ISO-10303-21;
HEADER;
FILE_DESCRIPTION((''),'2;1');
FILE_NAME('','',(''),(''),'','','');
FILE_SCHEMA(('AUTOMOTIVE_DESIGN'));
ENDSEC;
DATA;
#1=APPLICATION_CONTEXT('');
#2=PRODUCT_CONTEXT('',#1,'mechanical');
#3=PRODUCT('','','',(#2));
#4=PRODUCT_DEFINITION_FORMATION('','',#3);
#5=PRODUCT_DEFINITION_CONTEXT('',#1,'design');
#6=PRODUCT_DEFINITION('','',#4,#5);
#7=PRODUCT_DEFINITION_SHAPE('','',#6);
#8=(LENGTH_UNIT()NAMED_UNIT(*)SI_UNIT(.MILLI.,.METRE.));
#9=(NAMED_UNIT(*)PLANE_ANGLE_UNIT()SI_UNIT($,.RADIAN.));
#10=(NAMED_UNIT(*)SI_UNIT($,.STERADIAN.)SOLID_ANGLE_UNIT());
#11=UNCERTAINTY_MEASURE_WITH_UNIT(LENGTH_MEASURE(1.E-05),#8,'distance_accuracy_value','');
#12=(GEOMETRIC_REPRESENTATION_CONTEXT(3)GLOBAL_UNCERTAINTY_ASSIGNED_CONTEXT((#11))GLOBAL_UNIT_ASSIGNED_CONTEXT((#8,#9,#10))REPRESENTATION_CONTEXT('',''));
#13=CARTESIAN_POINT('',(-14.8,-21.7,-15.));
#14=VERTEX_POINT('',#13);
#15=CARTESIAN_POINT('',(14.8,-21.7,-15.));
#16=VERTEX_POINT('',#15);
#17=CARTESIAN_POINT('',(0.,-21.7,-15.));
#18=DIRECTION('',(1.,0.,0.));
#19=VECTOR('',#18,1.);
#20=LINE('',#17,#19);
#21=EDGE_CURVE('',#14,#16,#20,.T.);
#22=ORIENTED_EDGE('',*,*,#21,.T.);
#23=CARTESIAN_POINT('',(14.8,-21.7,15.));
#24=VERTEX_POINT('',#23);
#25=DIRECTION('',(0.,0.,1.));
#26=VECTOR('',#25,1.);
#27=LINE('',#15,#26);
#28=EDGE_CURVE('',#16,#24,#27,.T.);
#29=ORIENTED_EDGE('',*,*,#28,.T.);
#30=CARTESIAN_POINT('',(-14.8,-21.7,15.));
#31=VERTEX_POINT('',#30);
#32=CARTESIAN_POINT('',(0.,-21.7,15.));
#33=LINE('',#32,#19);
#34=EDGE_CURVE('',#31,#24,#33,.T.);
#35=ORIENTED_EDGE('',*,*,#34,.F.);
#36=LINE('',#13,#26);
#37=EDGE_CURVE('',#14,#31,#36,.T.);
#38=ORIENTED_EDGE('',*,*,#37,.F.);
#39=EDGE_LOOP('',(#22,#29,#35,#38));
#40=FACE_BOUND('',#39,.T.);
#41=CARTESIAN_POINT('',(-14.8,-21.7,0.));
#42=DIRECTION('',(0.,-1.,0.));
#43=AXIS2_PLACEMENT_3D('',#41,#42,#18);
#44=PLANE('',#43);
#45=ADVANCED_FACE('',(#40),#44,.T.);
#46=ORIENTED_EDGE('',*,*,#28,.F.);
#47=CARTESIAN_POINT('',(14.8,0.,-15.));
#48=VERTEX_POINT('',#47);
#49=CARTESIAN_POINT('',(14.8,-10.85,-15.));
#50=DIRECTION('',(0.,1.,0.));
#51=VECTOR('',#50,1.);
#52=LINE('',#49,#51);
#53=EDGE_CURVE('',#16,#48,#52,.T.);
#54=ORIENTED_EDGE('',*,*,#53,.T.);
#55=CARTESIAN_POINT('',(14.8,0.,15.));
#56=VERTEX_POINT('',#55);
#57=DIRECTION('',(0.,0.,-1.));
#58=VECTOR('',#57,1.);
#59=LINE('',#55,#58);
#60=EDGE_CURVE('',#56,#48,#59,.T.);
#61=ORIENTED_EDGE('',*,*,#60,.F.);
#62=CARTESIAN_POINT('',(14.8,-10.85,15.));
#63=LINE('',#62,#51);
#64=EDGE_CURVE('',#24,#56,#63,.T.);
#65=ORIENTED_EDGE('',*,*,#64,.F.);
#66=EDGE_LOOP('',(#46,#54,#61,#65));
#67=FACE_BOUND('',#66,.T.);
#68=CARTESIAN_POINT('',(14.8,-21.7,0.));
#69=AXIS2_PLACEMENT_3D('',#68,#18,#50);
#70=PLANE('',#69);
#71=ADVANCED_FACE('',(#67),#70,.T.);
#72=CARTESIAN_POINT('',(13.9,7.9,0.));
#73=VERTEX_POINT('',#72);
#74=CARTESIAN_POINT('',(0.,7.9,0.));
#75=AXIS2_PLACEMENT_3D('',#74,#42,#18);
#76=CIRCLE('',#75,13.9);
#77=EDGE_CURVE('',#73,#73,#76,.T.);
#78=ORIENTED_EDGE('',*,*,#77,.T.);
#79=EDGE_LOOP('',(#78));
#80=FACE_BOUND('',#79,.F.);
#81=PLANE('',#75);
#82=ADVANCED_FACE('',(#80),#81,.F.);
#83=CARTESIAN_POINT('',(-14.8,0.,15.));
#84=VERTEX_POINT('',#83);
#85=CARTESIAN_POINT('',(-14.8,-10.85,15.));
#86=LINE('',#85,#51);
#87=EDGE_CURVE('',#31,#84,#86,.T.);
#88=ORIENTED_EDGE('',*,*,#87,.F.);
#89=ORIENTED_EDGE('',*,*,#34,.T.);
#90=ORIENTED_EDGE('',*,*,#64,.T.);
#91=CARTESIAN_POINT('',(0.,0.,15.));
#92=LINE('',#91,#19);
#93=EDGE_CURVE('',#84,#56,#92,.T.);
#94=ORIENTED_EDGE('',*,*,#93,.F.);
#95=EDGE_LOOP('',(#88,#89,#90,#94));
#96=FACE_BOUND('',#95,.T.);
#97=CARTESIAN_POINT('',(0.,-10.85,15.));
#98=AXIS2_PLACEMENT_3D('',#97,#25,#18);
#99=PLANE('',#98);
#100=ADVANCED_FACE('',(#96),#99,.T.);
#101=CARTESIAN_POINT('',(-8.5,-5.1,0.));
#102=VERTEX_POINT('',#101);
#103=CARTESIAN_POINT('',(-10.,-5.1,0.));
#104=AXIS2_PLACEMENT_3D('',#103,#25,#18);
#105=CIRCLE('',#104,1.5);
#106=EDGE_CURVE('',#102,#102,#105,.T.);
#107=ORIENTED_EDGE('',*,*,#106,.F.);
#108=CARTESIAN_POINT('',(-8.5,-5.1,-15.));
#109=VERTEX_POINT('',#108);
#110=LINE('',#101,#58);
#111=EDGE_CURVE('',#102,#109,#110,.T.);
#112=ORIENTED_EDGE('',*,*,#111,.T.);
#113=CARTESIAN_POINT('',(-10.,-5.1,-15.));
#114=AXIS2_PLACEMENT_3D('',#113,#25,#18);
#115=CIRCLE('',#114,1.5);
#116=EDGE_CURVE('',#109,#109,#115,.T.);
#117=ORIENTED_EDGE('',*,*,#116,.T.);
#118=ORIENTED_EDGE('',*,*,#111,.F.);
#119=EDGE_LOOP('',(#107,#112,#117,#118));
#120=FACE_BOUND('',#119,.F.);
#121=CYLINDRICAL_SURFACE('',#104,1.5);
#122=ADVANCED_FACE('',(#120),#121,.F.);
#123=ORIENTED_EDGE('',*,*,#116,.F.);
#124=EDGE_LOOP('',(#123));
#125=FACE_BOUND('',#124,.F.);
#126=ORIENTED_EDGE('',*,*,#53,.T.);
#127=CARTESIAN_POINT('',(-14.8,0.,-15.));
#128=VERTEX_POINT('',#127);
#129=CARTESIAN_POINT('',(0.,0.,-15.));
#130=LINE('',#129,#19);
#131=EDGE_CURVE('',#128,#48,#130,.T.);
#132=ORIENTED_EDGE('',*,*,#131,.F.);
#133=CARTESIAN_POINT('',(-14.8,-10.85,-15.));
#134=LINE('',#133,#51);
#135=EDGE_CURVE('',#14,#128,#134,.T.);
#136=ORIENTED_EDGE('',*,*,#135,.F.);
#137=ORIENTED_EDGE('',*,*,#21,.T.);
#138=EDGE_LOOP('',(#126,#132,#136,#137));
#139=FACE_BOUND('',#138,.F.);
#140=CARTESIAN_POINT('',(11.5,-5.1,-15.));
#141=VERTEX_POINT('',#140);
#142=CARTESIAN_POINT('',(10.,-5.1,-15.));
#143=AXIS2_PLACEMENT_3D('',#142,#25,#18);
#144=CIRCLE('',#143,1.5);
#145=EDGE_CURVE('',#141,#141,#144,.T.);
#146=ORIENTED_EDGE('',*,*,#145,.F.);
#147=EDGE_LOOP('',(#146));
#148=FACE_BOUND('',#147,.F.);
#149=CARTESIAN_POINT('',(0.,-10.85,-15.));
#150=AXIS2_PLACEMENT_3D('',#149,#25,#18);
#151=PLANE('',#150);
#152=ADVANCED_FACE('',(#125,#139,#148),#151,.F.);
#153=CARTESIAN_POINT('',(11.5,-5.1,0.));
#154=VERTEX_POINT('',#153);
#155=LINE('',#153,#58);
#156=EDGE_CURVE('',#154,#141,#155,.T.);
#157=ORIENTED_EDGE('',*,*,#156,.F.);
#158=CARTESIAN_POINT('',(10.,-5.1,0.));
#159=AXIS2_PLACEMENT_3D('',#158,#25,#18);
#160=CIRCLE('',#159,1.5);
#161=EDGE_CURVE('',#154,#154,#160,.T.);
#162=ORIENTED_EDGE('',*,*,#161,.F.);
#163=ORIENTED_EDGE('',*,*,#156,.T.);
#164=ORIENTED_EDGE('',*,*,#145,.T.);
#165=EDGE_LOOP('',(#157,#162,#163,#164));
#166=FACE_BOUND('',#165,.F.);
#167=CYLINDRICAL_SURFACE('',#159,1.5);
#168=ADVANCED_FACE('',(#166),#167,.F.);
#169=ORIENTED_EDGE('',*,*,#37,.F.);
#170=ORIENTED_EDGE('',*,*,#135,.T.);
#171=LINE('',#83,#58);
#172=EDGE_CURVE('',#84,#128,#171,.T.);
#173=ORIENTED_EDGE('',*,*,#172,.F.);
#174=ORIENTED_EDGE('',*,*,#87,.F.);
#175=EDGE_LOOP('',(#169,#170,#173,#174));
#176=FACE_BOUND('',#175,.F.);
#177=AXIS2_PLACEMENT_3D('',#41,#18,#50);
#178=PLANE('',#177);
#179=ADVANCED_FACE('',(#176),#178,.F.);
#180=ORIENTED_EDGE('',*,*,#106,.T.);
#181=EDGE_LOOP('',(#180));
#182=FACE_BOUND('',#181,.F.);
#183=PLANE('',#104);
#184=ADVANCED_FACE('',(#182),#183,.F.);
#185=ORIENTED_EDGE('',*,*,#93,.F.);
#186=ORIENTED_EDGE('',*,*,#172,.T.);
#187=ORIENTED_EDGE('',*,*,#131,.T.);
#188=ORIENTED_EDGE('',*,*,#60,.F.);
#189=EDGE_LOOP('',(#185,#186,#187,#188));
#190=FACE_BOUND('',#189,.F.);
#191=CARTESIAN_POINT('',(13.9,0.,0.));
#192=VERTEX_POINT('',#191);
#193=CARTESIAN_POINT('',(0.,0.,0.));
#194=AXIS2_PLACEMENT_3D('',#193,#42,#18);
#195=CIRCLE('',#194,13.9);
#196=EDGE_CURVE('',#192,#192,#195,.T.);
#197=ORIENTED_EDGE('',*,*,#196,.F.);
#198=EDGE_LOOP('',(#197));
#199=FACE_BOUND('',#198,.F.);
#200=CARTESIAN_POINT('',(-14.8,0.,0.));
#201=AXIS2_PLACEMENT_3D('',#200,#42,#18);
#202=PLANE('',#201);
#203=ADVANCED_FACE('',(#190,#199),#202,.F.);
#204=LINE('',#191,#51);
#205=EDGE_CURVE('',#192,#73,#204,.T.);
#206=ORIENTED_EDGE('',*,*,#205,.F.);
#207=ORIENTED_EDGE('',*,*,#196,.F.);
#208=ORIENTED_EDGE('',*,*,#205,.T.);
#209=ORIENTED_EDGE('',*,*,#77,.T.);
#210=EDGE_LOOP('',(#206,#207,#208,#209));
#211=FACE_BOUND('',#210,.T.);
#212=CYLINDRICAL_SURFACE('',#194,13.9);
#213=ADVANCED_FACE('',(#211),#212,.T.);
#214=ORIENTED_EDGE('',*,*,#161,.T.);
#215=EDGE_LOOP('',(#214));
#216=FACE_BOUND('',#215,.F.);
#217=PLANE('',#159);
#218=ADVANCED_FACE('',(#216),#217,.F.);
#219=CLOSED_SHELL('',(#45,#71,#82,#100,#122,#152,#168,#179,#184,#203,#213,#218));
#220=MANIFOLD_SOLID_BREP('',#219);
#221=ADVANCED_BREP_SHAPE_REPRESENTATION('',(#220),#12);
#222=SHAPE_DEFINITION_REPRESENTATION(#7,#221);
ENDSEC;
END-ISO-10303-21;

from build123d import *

# Parameters (mm, degrees)
SKETCH001_W  = 29.6
SKETCH001_H  = 21.7
PAD001_DEPTH = 15
SKETCH003_R  = 13.9
PAD002_DEPTH = 7.9
SKETCH004_R  = 1.5
POCKET_DEPTH = 15.001


with BuildPart() as part:
    # Sketch001 → Pad001 (new body, symmetric)
    with BuildSketch(Plane.XY):
        with Locations((0, -10.85)):
            Rectangle(SKETCH001_W, SKETCH001_H)
    extrude(amount=PAD001_DEPTH, both=True)

    # Sketch003 → Pad002 (join)
    with BuildSketch(Plane.XZ):
        Circle(SKETCH003_R)
    extrude(amount=-PAD002_DEPTH)

    # Sketch004 → Pocket (cut, through all)
    with BuildSketch(Plane.XY):
        with Locations((-10, -5.1)):
            Circle(SKETCH004_R)
        with Locations((10, -5.1)):
            Circle(SKETCH004_R)
    extrude(amount=-POCKET_DEPTH, mode=Mode.SUBTRACT)


solid = part.part
